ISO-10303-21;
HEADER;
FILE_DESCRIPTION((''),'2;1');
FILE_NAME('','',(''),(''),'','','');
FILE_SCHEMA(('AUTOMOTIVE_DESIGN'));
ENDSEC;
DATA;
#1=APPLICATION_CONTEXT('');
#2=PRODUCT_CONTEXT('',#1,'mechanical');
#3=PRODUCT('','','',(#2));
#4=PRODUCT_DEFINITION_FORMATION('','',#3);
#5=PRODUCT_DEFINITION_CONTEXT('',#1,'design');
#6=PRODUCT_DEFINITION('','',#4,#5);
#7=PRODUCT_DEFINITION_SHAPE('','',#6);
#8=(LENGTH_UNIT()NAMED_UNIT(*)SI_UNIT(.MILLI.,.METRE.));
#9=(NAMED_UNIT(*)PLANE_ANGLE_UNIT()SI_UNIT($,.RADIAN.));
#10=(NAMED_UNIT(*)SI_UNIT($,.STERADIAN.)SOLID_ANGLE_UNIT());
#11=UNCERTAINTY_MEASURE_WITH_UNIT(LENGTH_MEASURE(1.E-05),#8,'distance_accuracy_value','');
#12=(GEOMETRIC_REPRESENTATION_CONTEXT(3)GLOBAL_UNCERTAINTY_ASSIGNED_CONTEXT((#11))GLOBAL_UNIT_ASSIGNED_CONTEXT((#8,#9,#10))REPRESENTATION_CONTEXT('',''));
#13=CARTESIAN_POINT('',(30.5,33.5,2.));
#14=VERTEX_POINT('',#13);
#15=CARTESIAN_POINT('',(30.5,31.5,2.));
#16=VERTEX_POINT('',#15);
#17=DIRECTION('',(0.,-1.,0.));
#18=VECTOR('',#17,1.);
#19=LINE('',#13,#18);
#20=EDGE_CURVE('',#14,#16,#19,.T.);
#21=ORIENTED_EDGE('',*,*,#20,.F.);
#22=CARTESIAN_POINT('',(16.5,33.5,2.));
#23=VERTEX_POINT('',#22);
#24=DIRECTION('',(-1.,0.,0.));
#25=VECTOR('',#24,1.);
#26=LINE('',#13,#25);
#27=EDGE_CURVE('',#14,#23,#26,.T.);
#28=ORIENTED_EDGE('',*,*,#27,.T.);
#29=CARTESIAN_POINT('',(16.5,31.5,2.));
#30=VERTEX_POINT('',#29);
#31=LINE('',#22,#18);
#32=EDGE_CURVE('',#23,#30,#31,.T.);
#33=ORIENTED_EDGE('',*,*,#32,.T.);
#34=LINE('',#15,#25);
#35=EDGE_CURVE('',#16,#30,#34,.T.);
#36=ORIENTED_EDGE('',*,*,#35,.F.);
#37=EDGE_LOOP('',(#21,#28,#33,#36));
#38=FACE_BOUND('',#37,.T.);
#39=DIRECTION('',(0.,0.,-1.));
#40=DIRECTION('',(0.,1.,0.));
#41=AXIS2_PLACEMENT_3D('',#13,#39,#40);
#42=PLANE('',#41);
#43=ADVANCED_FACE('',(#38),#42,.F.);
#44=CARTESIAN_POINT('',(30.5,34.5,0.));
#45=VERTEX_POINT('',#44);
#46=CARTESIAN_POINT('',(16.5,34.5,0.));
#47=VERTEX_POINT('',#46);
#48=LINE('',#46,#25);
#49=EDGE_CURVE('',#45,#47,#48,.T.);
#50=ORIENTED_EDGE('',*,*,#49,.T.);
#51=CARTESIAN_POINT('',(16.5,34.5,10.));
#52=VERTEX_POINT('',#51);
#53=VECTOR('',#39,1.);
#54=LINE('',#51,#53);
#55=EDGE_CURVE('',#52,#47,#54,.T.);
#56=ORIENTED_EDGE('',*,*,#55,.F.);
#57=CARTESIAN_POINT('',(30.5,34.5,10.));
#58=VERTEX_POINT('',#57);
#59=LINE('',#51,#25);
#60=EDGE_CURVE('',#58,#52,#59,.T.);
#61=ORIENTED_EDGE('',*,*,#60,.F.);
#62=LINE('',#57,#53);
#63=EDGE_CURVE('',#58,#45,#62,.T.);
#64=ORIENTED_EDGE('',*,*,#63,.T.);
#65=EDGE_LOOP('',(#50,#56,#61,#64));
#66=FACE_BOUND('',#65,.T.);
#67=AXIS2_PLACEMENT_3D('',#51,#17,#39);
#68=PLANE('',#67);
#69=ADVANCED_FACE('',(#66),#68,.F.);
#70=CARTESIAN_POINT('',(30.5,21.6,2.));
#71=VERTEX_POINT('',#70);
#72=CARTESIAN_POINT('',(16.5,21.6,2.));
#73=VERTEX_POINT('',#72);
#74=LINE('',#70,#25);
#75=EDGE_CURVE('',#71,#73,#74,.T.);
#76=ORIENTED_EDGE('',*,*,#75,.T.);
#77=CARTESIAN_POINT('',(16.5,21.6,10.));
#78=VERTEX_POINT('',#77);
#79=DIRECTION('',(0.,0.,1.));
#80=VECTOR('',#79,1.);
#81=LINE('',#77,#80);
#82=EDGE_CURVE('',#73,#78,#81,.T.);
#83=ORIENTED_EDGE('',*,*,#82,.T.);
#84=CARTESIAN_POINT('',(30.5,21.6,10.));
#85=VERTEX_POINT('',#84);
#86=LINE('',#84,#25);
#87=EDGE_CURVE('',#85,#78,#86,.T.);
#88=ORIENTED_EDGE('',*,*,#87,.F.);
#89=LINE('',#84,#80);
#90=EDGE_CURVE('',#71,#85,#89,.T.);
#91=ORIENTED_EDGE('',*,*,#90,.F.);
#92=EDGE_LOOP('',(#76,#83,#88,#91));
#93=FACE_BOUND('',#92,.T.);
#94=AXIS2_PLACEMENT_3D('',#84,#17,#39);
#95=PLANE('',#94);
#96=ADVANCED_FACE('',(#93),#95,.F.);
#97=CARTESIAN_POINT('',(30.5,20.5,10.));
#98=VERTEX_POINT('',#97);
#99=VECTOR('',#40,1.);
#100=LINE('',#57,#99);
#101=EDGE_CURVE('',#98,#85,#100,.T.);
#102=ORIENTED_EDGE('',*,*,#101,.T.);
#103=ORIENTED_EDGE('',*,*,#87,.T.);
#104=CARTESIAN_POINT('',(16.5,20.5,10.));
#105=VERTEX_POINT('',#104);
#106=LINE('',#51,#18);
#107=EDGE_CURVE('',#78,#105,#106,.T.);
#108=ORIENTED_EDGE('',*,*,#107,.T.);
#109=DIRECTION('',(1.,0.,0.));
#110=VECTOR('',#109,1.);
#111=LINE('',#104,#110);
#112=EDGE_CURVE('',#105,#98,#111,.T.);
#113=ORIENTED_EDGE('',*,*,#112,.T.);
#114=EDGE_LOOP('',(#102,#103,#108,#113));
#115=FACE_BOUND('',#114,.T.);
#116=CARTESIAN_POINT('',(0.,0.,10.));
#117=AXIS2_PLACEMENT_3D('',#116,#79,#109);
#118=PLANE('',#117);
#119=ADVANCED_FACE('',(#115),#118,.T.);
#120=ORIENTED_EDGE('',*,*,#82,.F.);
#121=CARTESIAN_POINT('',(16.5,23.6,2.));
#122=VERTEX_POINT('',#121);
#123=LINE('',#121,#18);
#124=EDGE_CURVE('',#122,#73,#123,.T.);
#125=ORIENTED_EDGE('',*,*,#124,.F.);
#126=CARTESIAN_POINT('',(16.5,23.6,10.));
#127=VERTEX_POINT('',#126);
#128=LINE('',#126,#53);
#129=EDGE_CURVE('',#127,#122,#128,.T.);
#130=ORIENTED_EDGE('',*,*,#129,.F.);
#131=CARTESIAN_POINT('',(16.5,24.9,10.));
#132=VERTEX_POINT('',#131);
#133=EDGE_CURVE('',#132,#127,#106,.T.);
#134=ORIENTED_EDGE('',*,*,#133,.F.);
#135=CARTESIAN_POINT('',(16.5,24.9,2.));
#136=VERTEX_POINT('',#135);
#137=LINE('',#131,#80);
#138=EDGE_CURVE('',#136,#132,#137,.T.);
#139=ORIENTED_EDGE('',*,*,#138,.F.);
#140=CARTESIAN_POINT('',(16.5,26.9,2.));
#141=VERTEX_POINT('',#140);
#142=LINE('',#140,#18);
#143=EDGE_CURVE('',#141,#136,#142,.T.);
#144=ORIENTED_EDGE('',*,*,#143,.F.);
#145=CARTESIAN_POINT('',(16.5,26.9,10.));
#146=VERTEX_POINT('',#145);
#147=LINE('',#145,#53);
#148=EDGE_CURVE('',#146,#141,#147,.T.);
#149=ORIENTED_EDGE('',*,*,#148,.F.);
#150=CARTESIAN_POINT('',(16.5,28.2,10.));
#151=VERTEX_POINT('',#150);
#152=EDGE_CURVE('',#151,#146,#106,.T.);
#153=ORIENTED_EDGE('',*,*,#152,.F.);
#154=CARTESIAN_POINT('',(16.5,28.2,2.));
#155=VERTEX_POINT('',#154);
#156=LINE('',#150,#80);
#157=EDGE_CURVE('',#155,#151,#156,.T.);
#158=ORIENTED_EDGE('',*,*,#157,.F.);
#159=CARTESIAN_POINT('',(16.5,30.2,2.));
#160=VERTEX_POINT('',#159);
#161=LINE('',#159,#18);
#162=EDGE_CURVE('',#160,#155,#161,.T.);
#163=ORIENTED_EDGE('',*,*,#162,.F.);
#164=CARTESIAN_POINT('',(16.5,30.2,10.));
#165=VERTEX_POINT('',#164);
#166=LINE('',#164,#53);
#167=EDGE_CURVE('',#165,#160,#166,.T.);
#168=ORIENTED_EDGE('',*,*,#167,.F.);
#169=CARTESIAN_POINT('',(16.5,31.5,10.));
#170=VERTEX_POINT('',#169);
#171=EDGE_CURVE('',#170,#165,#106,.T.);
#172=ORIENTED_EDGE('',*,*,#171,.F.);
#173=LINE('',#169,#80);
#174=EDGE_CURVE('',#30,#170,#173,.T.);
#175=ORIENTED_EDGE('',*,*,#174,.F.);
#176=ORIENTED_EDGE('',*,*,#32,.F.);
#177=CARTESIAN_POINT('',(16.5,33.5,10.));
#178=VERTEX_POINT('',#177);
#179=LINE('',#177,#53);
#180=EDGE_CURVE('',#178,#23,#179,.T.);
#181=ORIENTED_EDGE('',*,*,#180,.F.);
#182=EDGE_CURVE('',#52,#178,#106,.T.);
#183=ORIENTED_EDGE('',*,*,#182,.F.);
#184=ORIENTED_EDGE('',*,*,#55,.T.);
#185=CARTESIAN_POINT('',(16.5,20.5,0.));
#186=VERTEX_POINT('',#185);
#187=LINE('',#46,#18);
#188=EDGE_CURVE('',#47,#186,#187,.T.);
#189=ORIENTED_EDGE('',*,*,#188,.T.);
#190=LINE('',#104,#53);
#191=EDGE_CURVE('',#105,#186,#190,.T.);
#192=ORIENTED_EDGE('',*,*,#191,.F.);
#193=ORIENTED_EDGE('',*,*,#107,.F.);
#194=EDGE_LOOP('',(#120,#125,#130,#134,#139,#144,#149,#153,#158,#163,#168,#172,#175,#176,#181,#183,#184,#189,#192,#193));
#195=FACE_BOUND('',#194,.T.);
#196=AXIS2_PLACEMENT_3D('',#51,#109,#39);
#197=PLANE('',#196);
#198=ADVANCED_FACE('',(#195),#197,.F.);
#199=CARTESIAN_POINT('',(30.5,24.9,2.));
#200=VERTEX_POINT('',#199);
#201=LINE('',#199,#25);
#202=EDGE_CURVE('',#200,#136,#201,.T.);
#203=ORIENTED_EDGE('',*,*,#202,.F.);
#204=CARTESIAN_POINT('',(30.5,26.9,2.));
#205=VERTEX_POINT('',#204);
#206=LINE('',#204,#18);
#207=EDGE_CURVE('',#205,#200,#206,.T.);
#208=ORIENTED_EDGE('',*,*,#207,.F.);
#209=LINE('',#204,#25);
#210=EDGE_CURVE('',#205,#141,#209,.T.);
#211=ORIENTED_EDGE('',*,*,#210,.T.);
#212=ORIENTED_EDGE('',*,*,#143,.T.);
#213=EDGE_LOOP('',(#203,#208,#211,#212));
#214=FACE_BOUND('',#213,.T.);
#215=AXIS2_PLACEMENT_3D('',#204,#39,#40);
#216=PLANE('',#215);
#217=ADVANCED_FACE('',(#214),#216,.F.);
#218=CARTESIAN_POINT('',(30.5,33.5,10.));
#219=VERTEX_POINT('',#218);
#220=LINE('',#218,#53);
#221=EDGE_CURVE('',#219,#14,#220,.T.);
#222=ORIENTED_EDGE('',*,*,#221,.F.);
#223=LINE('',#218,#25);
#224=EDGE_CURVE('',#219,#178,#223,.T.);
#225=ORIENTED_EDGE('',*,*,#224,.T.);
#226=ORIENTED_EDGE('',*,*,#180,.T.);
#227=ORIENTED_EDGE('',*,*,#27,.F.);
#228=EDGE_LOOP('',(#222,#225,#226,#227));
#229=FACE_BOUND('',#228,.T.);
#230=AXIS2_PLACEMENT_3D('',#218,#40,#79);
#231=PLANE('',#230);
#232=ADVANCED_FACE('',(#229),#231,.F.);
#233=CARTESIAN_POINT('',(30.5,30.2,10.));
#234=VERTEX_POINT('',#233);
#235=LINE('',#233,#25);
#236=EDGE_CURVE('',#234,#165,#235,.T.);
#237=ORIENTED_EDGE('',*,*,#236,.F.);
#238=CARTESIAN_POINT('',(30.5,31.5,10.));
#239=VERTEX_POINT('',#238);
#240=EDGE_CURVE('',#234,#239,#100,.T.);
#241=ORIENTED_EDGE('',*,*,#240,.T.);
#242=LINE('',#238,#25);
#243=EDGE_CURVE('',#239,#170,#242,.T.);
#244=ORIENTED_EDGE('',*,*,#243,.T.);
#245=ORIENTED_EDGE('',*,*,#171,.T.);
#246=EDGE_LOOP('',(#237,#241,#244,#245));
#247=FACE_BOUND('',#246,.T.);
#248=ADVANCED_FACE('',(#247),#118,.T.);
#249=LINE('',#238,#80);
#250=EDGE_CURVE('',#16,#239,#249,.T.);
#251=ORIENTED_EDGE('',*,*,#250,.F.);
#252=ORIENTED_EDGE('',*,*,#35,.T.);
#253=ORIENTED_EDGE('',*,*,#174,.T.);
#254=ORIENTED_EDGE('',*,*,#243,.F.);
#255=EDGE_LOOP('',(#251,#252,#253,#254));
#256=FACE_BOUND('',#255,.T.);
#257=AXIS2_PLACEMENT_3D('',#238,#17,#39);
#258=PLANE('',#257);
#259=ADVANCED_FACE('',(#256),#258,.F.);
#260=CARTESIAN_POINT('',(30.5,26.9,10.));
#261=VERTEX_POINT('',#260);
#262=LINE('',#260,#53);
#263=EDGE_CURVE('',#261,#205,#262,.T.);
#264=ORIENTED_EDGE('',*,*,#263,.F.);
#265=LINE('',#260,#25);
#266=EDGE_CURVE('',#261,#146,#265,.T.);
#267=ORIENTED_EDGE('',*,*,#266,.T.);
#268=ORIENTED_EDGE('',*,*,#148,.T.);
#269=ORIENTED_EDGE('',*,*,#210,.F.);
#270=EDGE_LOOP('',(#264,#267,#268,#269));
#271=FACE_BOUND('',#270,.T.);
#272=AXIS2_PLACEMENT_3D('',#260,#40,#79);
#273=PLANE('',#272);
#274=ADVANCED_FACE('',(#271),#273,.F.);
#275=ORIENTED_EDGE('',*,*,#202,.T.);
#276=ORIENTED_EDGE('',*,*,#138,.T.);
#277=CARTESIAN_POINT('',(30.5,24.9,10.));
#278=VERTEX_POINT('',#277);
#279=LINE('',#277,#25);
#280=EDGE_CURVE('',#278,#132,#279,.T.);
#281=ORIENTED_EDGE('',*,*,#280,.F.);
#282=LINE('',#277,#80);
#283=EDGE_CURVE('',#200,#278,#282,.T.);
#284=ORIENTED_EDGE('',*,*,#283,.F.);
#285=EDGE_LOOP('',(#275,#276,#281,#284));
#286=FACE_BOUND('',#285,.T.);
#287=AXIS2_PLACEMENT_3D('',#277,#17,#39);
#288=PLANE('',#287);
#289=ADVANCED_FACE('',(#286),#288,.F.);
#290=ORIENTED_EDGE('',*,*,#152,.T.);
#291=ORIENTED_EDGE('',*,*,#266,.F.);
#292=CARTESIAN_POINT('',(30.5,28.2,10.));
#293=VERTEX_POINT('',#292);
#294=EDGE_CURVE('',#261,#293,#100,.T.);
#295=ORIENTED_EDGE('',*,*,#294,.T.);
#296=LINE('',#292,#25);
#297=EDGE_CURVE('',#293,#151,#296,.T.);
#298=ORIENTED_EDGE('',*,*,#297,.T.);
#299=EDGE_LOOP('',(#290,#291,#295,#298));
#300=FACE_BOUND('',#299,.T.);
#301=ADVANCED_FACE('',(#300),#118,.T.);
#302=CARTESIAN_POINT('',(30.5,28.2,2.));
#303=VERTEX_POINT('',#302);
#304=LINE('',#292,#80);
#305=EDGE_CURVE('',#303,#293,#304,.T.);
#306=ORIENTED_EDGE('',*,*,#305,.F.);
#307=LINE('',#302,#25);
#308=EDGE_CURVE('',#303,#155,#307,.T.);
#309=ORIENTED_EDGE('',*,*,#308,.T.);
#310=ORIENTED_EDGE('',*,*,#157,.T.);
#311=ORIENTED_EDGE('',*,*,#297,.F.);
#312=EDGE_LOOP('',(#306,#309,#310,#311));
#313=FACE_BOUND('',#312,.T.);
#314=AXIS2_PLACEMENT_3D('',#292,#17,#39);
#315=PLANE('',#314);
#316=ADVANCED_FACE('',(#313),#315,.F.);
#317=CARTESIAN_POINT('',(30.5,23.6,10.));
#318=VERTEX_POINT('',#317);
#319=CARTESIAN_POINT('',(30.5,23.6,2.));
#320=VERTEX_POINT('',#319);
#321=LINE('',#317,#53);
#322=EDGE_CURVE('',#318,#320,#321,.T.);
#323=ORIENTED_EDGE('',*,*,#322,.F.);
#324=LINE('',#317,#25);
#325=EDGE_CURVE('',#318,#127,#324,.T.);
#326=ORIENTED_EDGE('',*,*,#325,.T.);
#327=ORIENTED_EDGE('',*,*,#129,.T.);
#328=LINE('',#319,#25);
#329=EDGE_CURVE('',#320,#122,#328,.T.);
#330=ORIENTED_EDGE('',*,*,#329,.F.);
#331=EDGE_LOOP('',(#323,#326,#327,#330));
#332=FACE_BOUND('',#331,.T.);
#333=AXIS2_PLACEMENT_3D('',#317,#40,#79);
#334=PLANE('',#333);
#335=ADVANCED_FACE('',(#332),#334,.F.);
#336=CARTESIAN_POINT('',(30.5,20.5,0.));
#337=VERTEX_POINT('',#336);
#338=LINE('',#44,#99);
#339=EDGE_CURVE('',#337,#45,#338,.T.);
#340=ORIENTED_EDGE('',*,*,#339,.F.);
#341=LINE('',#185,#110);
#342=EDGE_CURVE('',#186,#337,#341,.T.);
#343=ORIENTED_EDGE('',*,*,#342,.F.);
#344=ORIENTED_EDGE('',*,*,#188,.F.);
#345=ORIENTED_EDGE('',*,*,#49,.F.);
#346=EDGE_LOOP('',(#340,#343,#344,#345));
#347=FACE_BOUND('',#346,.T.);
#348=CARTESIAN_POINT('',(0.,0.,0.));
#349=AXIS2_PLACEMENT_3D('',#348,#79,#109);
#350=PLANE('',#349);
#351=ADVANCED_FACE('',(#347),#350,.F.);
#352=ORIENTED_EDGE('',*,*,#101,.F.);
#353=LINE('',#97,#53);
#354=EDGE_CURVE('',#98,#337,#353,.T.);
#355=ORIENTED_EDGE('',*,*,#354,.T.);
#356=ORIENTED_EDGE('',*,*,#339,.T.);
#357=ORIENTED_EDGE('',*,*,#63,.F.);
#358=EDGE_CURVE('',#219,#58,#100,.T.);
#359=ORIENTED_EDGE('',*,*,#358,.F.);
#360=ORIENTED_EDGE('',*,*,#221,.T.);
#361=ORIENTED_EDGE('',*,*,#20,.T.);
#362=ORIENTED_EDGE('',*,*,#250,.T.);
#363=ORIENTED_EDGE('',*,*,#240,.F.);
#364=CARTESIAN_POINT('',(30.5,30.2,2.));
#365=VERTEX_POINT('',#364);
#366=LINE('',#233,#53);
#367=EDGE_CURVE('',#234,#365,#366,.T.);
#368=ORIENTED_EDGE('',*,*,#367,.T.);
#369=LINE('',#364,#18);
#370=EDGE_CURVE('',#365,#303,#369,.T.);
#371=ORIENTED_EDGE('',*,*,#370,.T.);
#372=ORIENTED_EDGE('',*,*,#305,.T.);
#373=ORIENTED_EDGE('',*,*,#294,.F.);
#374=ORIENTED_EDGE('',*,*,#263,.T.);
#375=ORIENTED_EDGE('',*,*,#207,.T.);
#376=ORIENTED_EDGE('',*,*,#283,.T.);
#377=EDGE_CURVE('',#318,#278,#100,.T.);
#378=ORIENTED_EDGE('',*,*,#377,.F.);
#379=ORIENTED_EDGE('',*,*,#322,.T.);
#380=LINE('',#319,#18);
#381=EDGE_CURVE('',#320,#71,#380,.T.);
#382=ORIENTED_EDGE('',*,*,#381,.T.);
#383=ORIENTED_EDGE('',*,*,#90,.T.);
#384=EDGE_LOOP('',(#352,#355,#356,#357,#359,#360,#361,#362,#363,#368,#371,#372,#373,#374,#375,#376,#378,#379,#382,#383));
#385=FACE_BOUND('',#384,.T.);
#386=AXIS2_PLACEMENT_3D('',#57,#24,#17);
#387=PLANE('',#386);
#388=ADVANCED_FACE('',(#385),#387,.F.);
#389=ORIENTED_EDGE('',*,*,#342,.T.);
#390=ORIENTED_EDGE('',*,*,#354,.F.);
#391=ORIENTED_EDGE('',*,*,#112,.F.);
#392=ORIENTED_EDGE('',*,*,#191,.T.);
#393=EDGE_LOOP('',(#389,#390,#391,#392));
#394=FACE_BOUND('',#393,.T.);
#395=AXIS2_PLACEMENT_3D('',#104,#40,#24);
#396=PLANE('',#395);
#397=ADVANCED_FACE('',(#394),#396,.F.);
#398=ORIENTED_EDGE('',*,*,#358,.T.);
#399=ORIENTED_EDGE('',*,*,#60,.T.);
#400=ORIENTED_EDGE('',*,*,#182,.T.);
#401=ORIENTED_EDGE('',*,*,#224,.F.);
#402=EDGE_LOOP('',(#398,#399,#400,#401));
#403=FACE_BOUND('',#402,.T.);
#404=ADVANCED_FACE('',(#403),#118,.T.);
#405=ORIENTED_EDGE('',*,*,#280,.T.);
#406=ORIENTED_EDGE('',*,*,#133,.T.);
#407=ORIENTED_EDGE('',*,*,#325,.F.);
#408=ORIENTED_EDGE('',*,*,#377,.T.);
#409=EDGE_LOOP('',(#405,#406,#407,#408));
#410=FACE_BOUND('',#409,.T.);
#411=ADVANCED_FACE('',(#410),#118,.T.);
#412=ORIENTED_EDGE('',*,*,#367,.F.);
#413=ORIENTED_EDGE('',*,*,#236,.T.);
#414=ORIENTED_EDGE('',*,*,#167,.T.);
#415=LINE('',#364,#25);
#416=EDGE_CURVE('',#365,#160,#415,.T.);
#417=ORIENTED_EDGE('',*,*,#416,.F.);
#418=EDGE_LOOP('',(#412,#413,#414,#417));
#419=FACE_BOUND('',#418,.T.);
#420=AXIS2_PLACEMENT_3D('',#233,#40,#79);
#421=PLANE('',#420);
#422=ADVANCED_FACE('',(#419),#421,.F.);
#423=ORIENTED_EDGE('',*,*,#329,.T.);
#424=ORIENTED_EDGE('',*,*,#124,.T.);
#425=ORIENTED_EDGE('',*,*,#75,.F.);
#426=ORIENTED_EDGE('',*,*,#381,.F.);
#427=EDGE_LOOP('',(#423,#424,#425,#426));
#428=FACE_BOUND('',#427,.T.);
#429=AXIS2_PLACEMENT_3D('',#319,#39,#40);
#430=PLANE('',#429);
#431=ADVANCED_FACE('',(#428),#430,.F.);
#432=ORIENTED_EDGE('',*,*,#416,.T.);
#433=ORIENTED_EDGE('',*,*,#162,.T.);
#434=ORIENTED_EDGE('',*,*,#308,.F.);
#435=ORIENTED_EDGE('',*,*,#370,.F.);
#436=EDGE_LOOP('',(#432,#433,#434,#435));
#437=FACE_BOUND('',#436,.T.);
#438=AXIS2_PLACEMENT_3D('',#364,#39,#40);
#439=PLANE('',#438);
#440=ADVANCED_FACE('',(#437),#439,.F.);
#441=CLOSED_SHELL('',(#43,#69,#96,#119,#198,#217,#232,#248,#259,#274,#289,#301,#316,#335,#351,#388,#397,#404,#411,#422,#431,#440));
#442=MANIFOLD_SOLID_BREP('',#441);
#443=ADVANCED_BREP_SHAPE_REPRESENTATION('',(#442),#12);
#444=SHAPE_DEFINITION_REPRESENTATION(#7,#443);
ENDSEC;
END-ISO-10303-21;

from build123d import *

# Parameters (mm, degrees)
SKETCH1_W           = 14
SKETCH1_H           = 14
BOSS_EXTRUDE1_DEPTH = 10
SKETCH2_W           = 8
SKETCH2_H           = 2
CUT_EXTRUDE1_DEPTH  = 15


with BuildPart() as part:
    # Sketch1 → Boss-Extrude1 (new body)
    with BuildSketch(Plane.XY):
        with Locations((23.5, 27.5)):
            Rectangle(SKETCH1_W, SKETCH1_H)
    extrude(amount=BOSS_EXTRUDE1_DEPTH)

    # Sketch2 → Cut-Extrude1 (cut, through all)
    with BuildSketch(Plane.ZY.offset(-16.5)):
        with Locations((6, 32.5)):
            Rectangle(SKETCH2_W, SKETCH2_H)
        with Locations((6, 29.2)):
            Rectangle(SKETCH2_W, SKETCH2_H)
        with Locations((6, 25.9)):
            Rectangle(SKETCH2_W, SKETCH2_H)
        with Locations((6, 22.6)):
            Rectangle(SKETCH2_W, SKETCH2_H)
    extrude(amount=-CUT_EXTRUDE1_DEPTH, mode=Mode.SUBTRACT)


solid = part.part
